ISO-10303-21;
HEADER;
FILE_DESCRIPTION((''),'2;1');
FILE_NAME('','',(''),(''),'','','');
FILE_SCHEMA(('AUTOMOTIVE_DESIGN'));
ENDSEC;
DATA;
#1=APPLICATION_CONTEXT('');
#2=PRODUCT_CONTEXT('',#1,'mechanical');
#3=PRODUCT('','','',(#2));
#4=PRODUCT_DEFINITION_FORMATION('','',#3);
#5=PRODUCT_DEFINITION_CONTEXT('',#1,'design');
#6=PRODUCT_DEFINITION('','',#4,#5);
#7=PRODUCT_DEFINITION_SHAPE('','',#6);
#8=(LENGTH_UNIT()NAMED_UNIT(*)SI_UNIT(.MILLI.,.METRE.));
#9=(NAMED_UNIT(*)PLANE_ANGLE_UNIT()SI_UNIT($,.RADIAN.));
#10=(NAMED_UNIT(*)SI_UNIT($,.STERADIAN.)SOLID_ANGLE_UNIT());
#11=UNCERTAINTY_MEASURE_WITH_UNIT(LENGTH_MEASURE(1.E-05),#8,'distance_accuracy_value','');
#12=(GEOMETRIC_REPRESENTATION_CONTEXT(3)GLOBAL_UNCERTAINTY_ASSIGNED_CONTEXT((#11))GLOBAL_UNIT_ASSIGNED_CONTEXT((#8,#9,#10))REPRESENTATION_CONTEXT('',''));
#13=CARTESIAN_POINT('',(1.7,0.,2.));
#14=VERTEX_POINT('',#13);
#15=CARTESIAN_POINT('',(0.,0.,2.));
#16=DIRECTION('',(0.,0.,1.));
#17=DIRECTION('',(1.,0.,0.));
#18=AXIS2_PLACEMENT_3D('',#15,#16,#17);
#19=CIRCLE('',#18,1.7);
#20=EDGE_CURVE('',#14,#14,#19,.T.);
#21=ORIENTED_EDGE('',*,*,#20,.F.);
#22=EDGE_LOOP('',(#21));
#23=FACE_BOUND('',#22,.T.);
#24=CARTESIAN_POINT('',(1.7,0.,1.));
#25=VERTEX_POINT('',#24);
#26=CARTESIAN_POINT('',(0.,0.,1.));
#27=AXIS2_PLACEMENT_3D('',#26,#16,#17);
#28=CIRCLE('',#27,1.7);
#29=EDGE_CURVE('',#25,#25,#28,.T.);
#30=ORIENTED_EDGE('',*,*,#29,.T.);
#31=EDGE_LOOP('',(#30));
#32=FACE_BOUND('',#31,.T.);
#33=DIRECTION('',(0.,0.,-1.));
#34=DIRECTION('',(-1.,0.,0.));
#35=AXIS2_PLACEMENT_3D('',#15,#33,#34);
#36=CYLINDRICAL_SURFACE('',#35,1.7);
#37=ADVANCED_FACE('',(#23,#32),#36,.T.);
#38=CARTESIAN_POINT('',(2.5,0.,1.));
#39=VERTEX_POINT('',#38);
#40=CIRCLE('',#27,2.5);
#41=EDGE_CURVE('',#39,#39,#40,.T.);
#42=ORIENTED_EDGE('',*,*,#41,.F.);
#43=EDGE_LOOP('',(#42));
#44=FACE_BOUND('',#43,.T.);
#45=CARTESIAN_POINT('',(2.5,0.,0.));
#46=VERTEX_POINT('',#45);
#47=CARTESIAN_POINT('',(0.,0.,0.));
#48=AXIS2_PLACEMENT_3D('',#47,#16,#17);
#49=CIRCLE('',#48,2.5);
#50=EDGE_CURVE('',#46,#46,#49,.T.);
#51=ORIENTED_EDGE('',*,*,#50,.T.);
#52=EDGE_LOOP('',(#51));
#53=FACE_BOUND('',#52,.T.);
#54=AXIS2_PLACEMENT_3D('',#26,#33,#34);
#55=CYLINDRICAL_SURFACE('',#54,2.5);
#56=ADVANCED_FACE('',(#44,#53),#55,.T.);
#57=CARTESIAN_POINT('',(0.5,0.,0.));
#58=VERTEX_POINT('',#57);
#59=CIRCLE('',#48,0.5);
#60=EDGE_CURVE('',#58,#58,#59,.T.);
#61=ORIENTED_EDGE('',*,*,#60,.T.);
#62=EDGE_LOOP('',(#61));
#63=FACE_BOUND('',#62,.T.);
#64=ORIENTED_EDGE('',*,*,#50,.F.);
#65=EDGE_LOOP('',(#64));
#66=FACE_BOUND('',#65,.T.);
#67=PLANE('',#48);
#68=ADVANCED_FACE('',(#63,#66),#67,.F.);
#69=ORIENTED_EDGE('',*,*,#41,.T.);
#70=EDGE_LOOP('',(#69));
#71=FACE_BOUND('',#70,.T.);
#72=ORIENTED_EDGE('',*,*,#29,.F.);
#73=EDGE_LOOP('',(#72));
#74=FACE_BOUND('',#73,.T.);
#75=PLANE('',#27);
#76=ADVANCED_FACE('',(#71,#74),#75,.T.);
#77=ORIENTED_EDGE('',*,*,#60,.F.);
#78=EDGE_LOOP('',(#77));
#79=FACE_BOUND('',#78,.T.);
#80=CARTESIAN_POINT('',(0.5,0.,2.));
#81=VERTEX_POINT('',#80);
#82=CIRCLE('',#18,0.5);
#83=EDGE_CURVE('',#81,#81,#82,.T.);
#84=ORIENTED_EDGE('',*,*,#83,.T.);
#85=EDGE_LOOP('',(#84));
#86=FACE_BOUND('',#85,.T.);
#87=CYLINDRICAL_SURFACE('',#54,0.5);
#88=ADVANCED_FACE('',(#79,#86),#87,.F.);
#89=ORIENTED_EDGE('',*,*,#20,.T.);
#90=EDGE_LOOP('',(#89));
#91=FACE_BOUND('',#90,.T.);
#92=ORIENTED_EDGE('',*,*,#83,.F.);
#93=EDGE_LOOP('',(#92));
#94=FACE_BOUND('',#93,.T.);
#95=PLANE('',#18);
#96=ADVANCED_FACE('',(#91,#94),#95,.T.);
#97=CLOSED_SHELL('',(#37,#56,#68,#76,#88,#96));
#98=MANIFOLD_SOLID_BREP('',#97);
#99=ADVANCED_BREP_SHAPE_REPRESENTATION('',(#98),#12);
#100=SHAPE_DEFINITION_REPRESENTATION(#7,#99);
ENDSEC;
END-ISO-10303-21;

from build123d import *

# Parameters (mm, degrees)
SKETCH_1_R      = 2.5
SKETCH_1_R_2    = 0.5
EXTRUDE_1_DEPTH = 1
SKETCH_2_R      = 1.7
SKETCH_2_R_2    = 0.5
EXTRUDE_2_DEPTH = 1


with BuildPart() as part:
    # 草图1 → 凸台-拉伸1 (new body)
    with BuildSketch(Plane.XY):
        Circle(SKETCH_1_R)
        Circle(SKETCH_1_R_2, mode=Mode.SUBTRACT)
    extrude(amount=EXTRUDE_1_DEPTH)

    # 草图2 → 凸台-拉伸2 (add)
    with BuildSketch(Plane.XY.offset(1)):
        Circle(SKETCH_2_R)
        Circle(SKETCH_2_R_2, mode=Mode.SUBTRACT)
    extrude(amount=EXTRUDE_2_DEPTH)


solid = part.part
